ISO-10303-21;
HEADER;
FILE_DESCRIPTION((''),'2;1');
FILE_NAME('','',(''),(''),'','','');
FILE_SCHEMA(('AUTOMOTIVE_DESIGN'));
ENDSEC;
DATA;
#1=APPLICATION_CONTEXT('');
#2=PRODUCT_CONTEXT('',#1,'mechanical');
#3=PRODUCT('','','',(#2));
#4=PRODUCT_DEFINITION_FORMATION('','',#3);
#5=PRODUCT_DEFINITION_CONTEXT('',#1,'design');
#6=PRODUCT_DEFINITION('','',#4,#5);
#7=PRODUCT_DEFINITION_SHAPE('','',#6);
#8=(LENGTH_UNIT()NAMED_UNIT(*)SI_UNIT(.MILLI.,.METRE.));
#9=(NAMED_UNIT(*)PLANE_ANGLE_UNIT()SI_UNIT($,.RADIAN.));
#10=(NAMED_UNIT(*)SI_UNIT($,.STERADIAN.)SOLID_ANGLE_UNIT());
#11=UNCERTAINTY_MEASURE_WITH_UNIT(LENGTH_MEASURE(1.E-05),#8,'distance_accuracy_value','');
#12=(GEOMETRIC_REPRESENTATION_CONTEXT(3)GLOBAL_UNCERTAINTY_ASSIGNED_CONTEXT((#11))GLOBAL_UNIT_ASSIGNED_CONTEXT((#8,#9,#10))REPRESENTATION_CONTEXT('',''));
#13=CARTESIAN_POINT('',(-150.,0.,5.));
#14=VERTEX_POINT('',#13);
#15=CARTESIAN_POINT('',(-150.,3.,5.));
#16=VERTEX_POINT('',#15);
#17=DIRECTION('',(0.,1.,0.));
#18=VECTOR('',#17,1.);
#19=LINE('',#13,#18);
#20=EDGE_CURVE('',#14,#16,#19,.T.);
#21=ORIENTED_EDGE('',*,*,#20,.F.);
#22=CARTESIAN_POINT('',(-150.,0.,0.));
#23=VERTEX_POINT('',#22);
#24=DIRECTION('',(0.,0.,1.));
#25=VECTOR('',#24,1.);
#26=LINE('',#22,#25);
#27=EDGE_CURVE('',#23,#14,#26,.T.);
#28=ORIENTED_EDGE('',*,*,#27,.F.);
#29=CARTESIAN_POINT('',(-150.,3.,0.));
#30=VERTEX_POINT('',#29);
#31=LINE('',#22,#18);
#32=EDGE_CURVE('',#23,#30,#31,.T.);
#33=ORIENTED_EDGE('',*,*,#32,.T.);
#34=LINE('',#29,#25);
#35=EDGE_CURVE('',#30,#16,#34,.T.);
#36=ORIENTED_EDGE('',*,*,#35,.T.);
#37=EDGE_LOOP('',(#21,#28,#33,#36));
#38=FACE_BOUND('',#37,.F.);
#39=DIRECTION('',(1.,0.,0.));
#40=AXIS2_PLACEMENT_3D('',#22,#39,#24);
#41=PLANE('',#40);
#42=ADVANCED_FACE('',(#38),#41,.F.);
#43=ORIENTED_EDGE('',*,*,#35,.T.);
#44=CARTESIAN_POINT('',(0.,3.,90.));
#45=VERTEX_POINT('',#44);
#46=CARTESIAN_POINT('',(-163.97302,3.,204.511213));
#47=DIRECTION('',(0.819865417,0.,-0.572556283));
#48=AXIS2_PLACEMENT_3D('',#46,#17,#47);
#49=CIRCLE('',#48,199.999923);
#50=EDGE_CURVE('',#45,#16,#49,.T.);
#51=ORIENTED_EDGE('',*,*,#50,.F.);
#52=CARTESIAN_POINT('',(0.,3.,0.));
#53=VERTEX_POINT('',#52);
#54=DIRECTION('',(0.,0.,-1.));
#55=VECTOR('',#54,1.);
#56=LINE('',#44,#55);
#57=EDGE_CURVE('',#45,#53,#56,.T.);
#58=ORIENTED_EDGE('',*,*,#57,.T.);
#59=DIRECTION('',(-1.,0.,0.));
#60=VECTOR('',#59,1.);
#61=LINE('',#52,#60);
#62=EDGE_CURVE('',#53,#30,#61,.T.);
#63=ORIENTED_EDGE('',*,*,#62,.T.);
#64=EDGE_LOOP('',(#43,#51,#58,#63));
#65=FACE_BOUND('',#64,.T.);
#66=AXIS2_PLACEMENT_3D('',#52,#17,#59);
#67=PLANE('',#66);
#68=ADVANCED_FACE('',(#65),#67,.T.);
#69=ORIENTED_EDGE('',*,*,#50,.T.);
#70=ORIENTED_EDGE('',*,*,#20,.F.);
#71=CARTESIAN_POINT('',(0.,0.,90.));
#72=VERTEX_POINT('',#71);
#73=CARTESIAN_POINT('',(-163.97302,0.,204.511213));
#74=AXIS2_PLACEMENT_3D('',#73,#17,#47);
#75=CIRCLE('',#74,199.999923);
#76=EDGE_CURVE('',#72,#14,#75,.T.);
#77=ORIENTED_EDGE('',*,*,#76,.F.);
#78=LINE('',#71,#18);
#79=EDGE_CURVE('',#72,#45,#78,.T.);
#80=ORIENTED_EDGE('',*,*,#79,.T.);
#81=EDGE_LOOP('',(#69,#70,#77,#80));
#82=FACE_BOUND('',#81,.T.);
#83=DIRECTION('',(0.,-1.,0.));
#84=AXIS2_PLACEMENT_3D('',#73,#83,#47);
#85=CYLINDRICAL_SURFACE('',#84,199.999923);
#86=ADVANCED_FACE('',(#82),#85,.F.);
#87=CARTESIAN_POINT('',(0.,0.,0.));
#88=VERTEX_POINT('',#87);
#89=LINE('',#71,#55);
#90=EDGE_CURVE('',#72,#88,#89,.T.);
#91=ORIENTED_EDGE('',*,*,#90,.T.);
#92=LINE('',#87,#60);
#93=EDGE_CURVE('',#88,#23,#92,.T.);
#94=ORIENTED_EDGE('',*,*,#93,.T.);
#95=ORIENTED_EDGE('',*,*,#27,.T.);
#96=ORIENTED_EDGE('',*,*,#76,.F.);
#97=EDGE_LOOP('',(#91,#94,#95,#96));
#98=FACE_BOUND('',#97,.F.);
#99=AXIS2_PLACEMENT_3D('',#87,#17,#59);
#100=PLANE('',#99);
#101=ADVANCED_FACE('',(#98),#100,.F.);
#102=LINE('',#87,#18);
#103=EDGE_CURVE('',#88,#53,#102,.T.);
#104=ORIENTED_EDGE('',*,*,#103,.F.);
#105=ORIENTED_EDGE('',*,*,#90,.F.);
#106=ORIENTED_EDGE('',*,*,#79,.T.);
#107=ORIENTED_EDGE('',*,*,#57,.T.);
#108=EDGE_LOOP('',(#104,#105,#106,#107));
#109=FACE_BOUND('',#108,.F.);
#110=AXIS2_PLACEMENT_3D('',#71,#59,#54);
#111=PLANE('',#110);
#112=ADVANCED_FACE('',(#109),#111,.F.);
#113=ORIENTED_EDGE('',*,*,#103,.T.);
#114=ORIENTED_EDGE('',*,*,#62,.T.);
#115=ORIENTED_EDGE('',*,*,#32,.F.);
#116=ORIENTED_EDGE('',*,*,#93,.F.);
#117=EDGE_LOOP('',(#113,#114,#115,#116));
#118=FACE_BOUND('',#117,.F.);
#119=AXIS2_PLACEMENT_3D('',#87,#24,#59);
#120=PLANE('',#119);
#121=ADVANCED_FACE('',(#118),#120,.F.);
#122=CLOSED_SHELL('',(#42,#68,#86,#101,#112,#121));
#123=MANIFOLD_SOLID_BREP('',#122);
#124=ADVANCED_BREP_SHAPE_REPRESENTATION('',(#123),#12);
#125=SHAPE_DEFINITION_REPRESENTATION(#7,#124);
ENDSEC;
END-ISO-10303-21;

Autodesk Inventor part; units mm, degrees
ref_plane "YZ Plane" through (0, 0, 0) normal (1, 0, 0) x (0, 1, 0)
ref_plane "XZ Plane" through (0, 0, 0) normal (0, 1, 0) x (-1, 0, 0)
ref_plane "XY Plane" through (0, 0, 0) normal (0, 0, 1) x (1, 0, 0)
sketch "Sketch1" plane through (0, 0, 0) normal (0, 1, 0) x (-1, 0, 0)
  line L0 (0, 90) -> (0, 0)
  line L1 (0, 0) -> (150, 0)
  line L2 (150, 0) -> (150, 5)
  line L3 (0, 90) -> (150, 5) construction
  arc A0 (0, 90) -> (150, 5) centre (163.9731, 204.5113) ccw
  point P0 (0, 0)
  dimension "d5" = 0
  dimension "d8" = 150
  dimension "d9" = 90
  dimension "d10" = 5
  dimension "d11" = 200
extrude "Extrusion1" add sketch "Sketch1" along normal blind 3
properties part number "bottom-playfield"
